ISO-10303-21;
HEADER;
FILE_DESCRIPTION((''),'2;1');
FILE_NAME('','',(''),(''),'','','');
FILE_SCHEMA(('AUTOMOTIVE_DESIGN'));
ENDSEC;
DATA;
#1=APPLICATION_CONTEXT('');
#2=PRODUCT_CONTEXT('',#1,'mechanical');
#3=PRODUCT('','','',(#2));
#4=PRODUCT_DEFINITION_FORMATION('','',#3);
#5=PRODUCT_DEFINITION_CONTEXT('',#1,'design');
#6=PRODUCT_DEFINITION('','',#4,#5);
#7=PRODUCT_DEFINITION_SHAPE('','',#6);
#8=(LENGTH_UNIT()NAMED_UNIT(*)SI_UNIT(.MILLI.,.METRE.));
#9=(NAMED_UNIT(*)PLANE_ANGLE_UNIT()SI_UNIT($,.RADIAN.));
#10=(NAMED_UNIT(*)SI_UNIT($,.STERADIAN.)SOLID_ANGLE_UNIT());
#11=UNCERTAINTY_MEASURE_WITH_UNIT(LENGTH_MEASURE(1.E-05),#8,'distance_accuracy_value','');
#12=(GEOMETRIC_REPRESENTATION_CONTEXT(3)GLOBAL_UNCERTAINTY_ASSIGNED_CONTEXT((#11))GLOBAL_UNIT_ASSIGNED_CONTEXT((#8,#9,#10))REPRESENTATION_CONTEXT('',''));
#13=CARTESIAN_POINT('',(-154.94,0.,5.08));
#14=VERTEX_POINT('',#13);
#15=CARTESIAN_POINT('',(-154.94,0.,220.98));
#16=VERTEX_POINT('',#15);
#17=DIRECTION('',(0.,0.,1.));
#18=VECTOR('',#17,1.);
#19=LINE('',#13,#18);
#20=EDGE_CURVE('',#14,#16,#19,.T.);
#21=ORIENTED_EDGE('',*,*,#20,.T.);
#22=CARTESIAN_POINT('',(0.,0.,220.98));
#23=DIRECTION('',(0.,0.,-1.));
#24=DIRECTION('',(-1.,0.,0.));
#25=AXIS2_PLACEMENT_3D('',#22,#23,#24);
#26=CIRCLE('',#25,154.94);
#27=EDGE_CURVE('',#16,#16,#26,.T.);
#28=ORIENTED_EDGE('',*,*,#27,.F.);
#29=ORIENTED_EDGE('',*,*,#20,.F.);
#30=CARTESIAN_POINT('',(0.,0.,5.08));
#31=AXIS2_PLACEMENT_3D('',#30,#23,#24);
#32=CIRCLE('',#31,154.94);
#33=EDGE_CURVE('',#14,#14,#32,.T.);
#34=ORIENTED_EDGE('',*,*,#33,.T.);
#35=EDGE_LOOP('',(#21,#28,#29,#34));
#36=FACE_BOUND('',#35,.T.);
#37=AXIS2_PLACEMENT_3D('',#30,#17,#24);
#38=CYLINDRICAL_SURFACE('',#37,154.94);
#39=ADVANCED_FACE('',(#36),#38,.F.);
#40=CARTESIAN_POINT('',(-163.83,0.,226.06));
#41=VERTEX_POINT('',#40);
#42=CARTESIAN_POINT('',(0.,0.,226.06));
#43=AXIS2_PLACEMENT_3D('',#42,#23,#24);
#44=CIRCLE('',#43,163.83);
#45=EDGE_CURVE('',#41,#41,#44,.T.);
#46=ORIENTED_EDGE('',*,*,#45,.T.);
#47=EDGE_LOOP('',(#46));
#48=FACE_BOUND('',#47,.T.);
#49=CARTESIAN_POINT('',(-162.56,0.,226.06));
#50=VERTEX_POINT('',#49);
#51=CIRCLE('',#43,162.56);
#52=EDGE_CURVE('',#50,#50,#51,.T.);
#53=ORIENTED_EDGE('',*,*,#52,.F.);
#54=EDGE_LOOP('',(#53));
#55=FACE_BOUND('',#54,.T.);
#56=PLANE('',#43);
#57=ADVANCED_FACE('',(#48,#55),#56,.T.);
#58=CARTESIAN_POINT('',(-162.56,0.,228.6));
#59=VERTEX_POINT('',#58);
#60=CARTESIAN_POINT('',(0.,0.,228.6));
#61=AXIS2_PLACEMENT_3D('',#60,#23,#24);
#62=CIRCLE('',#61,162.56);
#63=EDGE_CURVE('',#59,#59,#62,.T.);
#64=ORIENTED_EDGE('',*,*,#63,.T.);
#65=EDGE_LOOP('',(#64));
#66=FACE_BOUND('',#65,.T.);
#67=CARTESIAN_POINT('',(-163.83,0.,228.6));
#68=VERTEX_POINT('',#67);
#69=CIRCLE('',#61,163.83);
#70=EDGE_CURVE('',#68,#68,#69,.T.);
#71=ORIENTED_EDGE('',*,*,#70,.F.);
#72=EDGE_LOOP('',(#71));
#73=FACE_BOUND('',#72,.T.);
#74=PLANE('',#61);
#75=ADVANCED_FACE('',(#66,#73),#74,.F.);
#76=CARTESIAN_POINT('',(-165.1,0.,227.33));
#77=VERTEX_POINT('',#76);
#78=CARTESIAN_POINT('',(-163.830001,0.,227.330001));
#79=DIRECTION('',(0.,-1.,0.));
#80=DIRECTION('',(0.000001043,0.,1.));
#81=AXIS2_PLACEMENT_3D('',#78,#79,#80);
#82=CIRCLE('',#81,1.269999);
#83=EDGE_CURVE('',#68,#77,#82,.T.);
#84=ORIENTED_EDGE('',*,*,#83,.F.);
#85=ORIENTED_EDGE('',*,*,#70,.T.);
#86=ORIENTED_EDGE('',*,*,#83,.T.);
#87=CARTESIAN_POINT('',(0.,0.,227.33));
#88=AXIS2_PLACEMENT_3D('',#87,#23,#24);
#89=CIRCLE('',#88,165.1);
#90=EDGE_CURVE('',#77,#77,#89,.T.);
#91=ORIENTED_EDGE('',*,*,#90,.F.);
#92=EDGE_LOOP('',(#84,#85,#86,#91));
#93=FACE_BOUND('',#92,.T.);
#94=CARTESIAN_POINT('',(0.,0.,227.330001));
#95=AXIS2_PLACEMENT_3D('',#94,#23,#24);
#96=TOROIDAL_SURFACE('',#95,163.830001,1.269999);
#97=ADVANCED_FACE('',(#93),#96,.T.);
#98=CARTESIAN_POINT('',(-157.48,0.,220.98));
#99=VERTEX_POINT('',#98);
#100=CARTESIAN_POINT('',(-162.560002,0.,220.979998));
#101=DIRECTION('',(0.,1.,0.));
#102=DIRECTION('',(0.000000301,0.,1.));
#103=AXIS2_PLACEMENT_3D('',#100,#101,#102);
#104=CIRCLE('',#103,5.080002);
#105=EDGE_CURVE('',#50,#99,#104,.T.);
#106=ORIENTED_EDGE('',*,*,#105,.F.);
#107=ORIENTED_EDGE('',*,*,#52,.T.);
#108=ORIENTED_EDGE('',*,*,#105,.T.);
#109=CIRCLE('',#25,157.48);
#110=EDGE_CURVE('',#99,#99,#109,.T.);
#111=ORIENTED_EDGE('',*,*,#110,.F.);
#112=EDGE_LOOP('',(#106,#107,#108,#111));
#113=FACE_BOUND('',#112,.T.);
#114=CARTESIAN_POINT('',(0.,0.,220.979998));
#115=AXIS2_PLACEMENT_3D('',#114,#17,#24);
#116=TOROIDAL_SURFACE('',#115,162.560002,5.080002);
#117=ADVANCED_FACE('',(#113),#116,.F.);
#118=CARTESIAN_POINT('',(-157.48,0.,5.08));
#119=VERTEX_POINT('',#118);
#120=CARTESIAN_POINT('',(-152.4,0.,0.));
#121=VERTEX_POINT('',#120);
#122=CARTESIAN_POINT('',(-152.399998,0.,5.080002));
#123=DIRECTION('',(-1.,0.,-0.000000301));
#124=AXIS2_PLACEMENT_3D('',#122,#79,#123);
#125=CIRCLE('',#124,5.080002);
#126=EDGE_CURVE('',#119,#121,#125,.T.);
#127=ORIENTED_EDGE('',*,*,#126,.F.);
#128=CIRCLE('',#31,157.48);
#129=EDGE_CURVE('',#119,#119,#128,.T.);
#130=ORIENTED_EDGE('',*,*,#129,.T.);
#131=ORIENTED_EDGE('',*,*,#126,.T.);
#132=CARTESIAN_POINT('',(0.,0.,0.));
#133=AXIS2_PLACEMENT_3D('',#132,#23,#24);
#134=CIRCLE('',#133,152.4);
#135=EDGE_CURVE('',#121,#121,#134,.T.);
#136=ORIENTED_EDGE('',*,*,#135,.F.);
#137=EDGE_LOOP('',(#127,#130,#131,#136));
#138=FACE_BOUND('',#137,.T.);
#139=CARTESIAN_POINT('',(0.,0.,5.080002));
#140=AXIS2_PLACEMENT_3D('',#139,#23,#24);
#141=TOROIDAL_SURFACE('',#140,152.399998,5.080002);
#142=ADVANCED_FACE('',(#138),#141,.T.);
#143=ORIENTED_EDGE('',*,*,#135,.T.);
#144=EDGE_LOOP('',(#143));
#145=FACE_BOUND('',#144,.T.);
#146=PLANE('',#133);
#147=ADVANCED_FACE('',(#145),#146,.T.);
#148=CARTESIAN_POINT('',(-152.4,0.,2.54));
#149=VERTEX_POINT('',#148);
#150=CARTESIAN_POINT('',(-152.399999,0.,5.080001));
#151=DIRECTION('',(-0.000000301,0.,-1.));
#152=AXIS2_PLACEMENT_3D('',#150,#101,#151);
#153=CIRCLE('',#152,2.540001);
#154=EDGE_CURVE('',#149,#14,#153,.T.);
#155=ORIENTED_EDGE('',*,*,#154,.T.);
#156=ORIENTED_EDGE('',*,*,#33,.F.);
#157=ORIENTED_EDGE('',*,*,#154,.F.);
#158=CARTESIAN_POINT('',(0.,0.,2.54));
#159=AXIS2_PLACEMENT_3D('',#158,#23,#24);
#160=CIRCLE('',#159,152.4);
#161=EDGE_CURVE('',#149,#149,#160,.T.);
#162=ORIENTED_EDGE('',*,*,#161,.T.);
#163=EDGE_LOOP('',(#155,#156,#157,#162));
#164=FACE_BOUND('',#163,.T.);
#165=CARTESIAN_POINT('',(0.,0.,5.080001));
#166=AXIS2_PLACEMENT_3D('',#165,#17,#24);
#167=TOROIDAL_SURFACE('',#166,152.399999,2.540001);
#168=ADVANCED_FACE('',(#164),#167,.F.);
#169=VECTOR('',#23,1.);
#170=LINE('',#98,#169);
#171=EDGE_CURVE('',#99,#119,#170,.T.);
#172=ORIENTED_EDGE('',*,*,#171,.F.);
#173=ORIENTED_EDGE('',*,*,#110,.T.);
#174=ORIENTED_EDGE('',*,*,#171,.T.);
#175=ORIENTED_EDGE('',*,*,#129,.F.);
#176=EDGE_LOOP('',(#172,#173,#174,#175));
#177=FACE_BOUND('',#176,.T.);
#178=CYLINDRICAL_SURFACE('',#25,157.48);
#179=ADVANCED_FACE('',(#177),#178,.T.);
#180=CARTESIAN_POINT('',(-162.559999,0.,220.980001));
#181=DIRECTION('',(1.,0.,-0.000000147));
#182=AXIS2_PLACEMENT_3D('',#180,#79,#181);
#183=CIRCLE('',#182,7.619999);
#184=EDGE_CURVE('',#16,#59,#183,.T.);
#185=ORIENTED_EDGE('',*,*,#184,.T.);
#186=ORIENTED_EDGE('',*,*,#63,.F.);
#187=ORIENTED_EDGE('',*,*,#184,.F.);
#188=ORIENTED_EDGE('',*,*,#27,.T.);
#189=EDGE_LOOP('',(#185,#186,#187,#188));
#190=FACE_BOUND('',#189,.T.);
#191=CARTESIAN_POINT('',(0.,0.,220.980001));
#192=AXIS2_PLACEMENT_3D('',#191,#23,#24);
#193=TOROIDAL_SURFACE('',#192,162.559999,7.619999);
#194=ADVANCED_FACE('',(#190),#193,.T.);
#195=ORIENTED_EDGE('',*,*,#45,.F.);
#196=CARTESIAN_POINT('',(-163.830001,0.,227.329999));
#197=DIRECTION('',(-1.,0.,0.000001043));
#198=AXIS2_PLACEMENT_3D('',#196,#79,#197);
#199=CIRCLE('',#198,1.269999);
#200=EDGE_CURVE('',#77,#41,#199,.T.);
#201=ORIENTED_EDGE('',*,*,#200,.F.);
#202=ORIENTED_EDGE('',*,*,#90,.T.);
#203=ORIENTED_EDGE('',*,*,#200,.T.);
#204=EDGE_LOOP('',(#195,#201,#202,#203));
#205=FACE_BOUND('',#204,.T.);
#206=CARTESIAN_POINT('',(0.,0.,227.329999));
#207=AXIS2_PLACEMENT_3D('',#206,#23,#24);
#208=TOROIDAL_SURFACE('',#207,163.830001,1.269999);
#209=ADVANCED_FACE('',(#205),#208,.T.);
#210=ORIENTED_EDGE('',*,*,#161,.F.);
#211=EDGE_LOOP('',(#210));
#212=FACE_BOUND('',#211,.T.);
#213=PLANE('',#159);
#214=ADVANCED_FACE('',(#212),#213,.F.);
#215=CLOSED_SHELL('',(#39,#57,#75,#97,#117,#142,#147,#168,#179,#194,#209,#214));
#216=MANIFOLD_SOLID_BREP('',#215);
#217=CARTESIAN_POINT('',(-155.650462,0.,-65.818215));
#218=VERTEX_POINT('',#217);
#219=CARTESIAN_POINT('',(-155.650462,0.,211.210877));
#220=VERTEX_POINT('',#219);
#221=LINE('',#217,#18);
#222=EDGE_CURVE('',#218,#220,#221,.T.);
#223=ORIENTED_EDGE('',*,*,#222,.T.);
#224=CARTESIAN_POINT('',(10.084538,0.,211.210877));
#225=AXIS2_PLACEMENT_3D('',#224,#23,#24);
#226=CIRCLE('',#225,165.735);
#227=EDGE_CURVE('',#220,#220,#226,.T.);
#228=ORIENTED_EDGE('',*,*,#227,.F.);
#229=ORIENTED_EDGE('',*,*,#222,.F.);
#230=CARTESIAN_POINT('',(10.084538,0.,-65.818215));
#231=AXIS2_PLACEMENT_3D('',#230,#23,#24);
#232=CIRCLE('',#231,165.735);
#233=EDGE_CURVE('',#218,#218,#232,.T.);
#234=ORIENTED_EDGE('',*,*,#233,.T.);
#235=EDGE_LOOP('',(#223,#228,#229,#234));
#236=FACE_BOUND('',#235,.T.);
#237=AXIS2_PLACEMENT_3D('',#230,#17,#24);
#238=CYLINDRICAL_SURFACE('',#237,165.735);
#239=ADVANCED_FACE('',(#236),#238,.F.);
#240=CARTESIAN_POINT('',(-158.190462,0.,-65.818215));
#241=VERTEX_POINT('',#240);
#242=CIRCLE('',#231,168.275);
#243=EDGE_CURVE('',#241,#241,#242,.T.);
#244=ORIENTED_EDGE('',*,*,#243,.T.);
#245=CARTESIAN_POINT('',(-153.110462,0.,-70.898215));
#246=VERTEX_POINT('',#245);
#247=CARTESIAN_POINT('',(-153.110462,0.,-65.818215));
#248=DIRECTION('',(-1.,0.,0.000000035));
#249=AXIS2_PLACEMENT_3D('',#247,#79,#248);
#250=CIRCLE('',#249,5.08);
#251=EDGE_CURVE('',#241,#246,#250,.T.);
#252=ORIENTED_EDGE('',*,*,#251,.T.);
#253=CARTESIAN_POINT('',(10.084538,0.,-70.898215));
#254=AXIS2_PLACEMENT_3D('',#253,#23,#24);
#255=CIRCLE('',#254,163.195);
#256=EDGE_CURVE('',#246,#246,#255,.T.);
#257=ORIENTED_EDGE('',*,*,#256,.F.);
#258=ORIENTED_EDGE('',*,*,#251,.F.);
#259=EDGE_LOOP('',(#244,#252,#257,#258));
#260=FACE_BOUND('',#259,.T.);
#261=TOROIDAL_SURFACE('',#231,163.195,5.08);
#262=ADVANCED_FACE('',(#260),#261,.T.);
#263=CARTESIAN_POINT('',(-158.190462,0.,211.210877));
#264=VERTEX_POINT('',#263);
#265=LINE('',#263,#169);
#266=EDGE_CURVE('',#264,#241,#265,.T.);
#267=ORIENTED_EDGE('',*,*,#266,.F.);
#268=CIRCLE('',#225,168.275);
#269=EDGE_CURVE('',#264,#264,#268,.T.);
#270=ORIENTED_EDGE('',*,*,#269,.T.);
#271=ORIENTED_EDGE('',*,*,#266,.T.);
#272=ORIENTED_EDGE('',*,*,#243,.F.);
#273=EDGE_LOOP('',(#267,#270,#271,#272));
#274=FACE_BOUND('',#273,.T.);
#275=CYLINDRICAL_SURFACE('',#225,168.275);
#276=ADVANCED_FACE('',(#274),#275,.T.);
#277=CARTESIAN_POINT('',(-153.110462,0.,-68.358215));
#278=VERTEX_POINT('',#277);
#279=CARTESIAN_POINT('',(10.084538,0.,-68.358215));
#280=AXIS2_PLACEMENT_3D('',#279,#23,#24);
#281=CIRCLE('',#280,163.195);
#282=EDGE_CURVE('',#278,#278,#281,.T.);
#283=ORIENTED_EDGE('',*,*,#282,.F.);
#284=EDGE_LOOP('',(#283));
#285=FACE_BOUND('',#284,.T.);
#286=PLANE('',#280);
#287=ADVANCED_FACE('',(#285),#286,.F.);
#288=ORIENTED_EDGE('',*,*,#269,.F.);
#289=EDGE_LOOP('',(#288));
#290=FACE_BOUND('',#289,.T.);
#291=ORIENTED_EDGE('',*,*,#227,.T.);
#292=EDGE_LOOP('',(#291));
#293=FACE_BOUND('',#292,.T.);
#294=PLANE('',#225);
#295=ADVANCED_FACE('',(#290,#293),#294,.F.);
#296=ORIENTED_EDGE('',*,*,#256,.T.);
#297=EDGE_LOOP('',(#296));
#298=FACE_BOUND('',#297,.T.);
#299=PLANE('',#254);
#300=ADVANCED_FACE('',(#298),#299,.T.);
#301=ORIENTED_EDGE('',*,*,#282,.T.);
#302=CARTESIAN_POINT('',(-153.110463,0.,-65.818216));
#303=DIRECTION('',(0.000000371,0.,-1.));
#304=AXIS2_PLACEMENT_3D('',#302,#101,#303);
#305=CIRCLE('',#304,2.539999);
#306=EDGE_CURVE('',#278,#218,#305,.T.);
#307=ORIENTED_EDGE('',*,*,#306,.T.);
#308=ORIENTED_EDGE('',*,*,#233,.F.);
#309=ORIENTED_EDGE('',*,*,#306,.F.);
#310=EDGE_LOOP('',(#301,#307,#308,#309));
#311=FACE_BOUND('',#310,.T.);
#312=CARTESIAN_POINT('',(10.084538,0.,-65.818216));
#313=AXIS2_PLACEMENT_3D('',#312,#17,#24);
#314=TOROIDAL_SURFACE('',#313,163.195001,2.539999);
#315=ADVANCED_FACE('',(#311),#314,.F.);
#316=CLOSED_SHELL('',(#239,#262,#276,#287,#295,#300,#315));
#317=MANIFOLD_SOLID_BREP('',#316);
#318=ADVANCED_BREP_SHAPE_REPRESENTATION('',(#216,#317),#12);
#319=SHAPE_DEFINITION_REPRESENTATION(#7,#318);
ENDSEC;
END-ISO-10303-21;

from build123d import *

# Parameters (mm, degrees)
F0_R     = 165.1
F1_DEPTH = 2.54
F2_R     = 165.1
F2_R_2   = 162.56
F3_DEPTH = 228.6


with BuildPart() as f1:
    # F0 (on Top) → F1 (new body)
    with BuildSketch(Plane.XY):
        Circle(F0_R)
    extrude(amount=F1_DEPTH)

    # F2 (on face) → F3 (join)
    with BuildSketch(Plane.XY.offset(2.54)):
        Circle(F2_R)
        Circle(F2_R_2, mode=Mode.SUBTRACT)
    extrude(amount=F3_DEPTH)


with BuildPart() as f5:
    # F4 (on Front) → F5 (revolve)
    with BuildSketch(Plane.XZ):
        with BuildLine():
            Line((-152.4, 0), (0, 0))
            Line((0, 0), (0, 2.54))
            Line((0, 2.54), (-152.4, 2.54))
            ThreePointArc((-152.4, 2.54), (-154.196051, 3.283949), (-154.94, 5.08))
            Line((-154.94, 5.08), (-154.94, 220.98))
            ThreePointArc((-154.94, 220.98), (-157.171846, 226.368154), (-162.56, 228.6))
            Line((-162.56, 228.6), (-163.83, 228.6))
            ThreePointArc((-163.83, 228.6), (-164.728026, 228.228026), (-165.1, 227.33))
            ThreePointArc((-165.1, 227.33), (-164.728026, 226.431974), (-163.83, 226.06))
            Line((-163.83, 226.06), (-162.56, 226.06))
            ThreePointArc((-162.56, 226.06), (-158.967898, 224.572102), (-157.48, 220.98))
            Line((-157.48, 220.98), (-157.48, 5.08))
            ThreePointArc((-157.48, 5.08), (-155.992102, 1.487898), (-152.4, 0))
        make_face()
    revolve(axis=Axis((0, 0, 1.27), (0, 0, -1)))


with BuildPart() as f8:
    # F7 (on Front) → F8 (revolve)
    with BuildSketch(Plane.XZ):
        with BuildLine():
            Line((-153.110462, -70.898215), (10.084538, -70.898215))
            Line((10.084538, -70.898215), (10.084538, -68.358215))
            Line((10.084538, -68.358215), (-153.110462, -68.358215))
            ThreePointArc((-153.110462, -68.358215), (-154.906513, -67.614267), (-155.650462, -65.818215))
            Line((-155.650462, -65.818215), (-155.650462, 211.210877))
            Line((-155.650462, 211.210877), (-158.190462, 211.210877))
            Line((-158.190462, 211.210877), (-158.190462, -65.818215))
            ThreePointArc((-158.190462, -65.818215), (-156.702564, -69.410318), (-153.110462, -70.898215))
        make_face()
    revolve(axis=Axis((10.084538, 0, -69.628215), (0, 0, -1)))


solid = Compound([f5.part, f8.part])
